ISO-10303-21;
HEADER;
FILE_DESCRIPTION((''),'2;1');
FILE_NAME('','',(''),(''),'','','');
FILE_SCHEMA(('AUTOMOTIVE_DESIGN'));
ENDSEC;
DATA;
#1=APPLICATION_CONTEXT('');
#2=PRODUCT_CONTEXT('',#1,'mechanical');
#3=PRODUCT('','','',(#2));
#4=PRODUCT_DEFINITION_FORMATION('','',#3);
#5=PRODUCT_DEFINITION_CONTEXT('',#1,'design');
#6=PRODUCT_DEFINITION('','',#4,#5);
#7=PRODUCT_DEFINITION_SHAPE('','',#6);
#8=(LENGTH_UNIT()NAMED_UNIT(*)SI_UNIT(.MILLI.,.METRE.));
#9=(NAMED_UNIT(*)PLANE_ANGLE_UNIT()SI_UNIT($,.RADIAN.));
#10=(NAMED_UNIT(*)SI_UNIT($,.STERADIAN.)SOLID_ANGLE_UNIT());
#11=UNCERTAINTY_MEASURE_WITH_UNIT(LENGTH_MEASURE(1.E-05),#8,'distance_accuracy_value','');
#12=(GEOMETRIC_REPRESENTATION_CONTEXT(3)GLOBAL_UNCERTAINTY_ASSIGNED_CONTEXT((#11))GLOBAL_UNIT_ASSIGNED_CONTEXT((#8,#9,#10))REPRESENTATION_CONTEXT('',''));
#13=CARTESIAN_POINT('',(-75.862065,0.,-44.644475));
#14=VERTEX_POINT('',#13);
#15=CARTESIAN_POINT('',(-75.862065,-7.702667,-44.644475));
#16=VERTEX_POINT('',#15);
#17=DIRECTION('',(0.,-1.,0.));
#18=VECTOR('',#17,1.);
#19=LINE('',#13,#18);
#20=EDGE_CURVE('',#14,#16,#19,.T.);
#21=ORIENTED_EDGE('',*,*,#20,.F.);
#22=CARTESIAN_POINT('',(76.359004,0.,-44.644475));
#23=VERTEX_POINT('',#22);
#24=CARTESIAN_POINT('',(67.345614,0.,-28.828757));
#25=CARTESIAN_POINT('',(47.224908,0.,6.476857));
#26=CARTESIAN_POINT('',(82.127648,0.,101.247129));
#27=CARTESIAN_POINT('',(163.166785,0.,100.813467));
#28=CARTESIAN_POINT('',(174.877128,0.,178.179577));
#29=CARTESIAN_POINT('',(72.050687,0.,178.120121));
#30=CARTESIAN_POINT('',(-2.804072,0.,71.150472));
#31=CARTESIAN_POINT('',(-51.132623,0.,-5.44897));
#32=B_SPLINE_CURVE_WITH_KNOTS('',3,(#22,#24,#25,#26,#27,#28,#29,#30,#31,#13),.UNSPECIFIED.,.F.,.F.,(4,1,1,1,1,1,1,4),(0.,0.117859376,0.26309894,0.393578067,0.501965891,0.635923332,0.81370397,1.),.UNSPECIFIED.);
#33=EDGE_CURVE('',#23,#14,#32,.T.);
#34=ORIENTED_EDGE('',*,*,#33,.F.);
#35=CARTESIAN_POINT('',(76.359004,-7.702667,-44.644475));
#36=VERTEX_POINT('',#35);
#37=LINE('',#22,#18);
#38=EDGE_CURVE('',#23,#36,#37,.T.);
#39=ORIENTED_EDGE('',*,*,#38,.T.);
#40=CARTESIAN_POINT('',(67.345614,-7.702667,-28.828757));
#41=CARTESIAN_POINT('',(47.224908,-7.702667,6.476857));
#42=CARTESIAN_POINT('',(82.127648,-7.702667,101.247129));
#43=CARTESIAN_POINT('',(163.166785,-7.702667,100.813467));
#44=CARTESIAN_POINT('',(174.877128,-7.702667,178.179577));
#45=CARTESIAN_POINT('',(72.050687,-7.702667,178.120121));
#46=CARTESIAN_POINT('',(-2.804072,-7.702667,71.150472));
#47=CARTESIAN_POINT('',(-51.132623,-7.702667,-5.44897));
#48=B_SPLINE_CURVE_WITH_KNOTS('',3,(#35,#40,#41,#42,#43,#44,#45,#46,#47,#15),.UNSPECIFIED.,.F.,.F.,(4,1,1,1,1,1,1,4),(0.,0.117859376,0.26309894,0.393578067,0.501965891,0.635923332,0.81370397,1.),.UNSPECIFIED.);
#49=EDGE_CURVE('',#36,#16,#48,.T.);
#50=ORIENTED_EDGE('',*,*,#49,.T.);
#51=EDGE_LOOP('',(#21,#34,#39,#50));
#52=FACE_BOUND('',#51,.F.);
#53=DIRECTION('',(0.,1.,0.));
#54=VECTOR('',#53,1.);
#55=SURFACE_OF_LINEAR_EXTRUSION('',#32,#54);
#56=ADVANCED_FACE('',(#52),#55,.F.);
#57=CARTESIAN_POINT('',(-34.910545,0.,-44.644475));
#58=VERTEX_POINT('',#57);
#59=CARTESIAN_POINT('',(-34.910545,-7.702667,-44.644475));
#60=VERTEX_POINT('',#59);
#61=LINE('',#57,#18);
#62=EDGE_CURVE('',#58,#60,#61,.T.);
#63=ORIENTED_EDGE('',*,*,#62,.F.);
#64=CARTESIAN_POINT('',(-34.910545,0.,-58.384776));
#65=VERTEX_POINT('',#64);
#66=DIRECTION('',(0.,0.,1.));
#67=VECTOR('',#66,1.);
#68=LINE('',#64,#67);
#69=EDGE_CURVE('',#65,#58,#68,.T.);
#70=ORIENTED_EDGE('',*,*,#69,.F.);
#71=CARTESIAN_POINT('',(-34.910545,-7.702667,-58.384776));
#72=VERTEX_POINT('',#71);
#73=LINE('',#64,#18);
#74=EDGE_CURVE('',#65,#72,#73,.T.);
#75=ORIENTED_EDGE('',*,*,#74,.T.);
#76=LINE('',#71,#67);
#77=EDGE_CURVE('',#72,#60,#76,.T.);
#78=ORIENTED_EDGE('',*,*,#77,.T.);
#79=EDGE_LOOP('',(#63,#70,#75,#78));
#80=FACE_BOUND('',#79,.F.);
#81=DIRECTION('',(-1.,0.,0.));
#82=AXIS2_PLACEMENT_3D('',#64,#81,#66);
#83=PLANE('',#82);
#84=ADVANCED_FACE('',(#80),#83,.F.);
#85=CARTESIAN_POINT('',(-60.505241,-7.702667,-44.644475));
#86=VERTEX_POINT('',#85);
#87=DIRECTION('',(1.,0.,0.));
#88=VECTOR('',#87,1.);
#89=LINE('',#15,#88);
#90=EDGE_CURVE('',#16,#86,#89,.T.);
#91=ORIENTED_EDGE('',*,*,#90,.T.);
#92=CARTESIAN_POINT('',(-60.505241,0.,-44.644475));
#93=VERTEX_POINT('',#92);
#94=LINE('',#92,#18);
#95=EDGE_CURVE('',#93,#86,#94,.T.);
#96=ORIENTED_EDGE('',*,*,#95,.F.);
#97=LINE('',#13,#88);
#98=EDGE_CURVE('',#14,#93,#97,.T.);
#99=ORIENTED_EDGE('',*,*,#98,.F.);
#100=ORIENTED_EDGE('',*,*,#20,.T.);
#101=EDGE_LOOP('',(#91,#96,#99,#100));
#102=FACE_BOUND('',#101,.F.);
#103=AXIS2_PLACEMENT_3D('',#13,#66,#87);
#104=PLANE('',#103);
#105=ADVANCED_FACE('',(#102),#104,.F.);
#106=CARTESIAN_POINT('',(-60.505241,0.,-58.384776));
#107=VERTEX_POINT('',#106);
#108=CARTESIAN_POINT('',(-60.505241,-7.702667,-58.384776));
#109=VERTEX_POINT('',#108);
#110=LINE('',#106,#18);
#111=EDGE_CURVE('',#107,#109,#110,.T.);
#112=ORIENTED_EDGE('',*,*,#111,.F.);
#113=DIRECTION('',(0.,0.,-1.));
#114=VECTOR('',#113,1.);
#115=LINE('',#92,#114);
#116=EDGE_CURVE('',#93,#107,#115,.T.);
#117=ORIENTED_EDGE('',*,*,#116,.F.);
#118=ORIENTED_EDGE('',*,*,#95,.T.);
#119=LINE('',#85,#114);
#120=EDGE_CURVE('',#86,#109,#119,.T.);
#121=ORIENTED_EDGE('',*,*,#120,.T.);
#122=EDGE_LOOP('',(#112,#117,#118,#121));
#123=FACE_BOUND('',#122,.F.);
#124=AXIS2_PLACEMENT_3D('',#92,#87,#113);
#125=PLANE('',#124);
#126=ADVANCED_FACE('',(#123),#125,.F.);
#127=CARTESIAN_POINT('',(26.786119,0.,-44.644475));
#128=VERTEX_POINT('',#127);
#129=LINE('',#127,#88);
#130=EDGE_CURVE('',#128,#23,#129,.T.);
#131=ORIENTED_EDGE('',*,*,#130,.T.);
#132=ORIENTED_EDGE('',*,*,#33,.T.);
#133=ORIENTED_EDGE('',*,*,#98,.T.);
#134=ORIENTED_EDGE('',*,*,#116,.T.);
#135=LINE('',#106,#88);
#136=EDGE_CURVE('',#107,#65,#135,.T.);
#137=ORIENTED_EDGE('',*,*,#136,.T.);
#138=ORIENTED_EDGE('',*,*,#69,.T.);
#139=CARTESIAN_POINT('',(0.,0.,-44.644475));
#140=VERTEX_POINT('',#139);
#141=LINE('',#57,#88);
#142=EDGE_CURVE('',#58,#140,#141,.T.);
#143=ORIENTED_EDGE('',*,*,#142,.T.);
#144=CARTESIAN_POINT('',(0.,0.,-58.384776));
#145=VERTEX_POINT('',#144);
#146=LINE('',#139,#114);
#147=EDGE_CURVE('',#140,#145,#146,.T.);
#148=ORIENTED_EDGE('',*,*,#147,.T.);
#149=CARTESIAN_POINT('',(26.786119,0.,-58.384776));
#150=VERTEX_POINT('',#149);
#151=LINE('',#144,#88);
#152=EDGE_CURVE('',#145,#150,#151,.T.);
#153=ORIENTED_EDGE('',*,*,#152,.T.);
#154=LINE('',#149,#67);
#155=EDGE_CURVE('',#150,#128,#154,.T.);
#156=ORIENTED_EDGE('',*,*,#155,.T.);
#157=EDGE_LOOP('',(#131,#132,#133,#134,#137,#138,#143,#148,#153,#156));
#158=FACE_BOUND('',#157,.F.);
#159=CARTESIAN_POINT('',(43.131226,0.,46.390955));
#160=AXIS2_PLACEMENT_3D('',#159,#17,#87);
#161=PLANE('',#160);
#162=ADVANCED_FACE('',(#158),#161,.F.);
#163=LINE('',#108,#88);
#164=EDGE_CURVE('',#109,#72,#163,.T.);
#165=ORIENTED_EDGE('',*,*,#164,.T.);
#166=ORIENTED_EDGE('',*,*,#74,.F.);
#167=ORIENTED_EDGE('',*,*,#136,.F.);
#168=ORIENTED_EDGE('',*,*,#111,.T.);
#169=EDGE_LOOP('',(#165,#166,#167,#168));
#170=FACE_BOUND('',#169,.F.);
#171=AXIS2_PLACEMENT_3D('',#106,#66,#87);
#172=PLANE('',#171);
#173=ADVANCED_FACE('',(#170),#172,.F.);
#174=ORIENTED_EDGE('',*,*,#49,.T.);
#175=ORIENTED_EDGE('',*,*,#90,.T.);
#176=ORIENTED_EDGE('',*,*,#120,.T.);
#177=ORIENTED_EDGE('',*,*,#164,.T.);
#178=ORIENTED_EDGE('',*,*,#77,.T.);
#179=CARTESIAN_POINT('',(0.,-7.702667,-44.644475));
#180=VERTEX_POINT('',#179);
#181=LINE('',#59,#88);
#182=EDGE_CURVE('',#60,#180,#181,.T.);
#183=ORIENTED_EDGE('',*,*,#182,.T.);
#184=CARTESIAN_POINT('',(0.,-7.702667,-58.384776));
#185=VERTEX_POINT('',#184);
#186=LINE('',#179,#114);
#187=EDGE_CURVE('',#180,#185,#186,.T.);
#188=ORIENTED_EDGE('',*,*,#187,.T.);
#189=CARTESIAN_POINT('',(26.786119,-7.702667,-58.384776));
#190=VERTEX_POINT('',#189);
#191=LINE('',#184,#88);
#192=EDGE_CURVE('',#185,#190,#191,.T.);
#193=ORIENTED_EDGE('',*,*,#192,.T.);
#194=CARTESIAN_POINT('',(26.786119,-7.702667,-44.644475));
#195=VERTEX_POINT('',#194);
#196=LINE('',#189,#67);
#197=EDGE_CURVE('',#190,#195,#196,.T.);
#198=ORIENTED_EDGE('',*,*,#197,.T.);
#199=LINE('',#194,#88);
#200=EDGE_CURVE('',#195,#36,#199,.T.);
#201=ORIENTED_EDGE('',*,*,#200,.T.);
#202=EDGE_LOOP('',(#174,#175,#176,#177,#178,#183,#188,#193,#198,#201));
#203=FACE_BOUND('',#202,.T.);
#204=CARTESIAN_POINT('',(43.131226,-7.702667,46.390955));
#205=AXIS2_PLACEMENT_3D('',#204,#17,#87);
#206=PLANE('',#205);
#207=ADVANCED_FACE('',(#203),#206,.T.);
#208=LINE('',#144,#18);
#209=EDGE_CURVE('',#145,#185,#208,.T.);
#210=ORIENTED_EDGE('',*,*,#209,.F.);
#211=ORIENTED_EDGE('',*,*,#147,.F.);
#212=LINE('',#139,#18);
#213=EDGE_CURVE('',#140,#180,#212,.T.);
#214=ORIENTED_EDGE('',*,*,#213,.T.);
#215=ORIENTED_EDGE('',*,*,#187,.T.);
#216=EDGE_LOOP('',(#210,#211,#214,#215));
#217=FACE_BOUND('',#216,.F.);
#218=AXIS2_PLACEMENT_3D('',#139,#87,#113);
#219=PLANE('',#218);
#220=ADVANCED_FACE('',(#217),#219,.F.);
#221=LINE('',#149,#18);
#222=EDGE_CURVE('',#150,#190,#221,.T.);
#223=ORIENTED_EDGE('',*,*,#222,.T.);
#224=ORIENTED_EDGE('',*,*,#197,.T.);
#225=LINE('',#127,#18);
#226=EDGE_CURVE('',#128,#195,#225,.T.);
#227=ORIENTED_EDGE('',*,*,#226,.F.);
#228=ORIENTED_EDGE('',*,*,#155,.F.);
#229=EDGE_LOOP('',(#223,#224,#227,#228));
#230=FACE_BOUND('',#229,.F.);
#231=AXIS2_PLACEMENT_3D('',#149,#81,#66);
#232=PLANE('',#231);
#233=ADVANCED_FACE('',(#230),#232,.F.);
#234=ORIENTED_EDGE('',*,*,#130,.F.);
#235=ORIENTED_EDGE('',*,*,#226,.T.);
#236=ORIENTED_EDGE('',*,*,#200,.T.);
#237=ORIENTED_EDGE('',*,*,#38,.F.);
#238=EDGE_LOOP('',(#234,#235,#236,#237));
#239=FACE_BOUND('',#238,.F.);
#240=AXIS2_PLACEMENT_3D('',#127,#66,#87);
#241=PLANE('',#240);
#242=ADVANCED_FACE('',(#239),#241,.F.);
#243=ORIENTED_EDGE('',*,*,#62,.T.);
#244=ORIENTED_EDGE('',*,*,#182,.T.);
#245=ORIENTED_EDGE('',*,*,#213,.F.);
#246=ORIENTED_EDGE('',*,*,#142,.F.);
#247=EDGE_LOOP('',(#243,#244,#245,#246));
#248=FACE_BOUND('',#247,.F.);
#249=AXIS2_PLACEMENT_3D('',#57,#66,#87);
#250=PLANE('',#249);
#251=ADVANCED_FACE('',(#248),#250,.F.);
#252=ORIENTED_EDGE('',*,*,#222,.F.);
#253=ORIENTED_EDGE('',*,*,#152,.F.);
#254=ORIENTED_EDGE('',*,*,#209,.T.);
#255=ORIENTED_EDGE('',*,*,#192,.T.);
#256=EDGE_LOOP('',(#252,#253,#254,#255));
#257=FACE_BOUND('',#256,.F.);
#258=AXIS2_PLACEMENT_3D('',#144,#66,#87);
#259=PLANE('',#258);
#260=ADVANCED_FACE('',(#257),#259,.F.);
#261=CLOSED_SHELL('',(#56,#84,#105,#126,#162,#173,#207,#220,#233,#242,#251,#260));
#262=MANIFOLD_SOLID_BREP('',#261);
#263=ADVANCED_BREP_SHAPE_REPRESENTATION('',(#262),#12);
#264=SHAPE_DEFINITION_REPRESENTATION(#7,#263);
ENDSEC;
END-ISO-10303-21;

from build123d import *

# Parameters (mm, degrees)
F1_DEPTH = 7.7026672661


with BuildPart() as f1:
    # F0 (on Front) → F1 (new body)
    with BuildSketch(Plane.XZ):
        with BuildLine():
            add(Edge.make_bspline(
                [(76.3590037823, -44.6444749832), (67.345614377, -28.8287574714), (47.224908137, 6.4768568717), (82.1276476287, 101.2471289792), (163.1667846029, 100.8134668474), (174.8771278968, 178.1795772877), (72.0506870398, 178.1201206673), (-2.8040719102, 71.1504721282), (-51.1326226807, -5.4489700389), (-75.8620649576, -44.6444749832)],
                knots=[0, 0, 0, 0, 0.1178593764, 0.2630989402, 0.3935780673, 0.5019658908, 0.6359233319, 0.81370397, 1, 1, 1, 1], degree=3))
            Line((-75.8620649576, -44.6444749832), (-60.5052411556, -44.6444749832))
            Line((-60.5052411556, -44.6444749832), (-60.5052411556, -58.3847761154))
            Line((-60.5052411556, -58.3847761154), (-34.9105447531, -58.3847761154))
            Line((-34.9105447531, -58.3847761154), (-34.9105447531, -44.6444749832))
            Line((-34.9105447531, -44.6444749832), (0, -44.6444749832))
            Line((0, -44.6444749832), (0, -58.3847761154))
            Line((0, -58.3847761154), (26.7861187458, -58.3847761154))
            Line((26.7861187458, -58.3847761154), (26.7861187458, -44.6444749832))
            Line((26.7861187458, -44.6444749832), (76.3590037823, -44.6444749832))
        make_face()
    extrude(amount=F1_DEPTH)


solid = f1.part
